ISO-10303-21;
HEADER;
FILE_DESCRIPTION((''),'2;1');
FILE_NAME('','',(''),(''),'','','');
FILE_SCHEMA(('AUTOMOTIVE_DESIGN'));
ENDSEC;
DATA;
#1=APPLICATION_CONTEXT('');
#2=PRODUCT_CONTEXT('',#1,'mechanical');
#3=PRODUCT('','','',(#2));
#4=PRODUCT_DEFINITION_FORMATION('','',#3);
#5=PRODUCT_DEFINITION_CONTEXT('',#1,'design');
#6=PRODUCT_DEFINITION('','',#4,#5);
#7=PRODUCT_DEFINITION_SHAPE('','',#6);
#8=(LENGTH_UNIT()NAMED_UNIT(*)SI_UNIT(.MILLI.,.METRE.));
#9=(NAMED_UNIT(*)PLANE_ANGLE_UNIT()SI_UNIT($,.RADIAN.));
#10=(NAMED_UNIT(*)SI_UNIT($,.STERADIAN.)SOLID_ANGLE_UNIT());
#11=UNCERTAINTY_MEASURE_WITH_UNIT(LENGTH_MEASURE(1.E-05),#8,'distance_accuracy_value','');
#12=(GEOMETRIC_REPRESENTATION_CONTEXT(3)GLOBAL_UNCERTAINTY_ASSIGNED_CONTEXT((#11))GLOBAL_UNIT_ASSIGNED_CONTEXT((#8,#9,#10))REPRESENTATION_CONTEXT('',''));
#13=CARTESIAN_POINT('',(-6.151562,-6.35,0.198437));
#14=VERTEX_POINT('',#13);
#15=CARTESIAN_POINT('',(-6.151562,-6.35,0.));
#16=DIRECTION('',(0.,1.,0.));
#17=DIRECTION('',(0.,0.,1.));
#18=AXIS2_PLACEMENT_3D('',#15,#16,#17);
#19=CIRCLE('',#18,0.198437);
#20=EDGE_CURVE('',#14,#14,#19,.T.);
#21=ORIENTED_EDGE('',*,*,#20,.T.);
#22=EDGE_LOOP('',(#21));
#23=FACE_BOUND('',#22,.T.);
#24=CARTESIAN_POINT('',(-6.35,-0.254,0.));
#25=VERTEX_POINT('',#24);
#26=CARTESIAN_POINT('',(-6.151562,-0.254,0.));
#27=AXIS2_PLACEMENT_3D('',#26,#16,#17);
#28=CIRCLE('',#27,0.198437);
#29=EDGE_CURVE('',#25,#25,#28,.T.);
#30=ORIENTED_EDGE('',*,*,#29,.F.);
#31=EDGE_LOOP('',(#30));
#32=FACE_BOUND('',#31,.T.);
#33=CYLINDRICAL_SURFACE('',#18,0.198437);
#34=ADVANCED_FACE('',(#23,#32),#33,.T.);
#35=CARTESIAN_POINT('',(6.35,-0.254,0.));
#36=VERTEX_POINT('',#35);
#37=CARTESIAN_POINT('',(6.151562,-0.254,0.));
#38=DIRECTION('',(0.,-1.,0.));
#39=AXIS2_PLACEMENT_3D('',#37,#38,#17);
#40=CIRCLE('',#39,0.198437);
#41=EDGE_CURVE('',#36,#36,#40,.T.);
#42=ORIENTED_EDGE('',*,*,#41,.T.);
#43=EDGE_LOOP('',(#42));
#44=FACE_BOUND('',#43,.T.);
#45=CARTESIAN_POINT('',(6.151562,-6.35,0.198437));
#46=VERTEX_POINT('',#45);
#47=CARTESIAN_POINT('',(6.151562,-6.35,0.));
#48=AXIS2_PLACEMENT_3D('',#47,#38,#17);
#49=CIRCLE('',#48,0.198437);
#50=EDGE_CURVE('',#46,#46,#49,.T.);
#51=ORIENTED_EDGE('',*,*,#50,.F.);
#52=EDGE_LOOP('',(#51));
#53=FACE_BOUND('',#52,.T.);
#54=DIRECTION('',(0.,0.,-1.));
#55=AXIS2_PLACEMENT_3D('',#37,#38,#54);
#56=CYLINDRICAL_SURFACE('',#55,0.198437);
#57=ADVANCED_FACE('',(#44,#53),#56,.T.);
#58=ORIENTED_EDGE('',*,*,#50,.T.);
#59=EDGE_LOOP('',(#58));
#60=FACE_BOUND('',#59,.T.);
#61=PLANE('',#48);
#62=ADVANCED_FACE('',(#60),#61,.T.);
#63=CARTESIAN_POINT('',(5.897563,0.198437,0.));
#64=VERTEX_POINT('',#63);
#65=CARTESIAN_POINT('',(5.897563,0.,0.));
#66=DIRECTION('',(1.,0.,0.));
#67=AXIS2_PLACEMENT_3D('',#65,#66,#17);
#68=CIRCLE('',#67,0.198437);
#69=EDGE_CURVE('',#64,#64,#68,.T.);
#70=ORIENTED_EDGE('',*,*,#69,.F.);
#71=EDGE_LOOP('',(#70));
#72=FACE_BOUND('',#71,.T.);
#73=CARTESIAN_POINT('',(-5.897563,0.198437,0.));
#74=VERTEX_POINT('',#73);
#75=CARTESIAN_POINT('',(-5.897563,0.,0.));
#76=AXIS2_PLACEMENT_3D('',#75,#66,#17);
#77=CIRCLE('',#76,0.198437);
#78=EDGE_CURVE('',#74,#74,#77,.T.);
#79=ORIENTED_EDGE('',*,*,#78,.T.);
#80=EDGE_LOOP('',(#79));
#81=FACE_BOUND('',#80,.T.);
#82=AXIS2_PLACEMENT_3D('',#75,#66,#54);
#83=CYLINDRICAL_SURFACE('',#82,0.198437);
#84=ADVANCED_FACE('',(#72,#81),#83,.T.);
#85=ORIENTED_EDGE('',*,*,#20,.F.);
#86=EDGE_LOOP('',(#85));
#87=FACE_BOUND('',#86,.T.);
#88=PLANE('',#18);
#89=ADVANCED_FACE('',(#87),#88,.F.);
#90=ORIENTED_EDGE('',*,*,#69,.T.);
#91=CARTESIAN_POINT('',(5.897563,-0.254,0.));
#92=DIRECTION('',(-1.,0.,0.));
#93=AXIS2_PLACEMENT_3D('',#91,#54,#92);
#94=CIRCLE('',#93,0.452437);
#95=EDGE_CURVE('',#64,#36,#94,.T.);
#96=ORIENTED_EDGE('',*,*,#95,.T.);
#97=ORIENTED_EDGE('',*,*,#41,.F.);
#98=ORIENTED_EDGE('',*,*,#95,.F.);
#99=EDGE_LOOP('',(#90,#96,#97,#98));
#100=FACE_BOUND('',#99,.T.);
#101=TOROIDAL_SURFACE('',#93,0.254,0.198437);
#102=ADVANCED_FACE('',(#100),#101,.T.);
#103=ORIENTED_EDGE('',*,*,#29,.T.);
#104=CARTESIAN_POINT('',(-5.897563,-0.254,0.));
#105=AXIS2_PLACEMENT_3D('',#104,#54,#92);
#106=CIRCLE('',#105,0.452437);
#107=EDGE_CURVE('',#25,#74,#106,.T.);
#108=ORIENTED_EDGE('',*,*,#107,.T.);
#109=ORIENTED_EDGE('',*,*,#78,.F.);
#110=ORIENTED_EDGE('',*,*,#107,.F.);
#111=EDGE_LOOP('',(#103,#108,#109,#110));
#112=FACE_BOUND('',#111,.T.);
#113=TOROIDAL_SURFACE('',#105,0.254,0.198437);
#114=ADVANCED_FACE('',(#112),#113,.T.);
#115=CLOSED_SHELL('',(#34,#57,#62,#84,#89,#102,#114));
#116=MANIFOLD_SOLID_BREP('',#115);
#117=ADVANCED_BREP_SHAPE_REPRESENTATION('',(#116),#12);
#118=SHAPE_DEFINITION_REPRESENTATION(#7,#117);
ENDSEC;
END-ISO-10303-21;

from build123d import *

# Parameters (mm, degrees)
SKETCH2_R = 0.1984375


with BuildPart() as part:
    # Sweep3: sweep along a path in Sketch1
    with BuildLine(Plane.XY) as sweep3_path:
        Line((-6.1515625, -6.35), (-6.1515625, -0.254))
        ThreePointArc((-6.1515625, -0.254), (-6.077167622, -0.074394878), (-5.8975625, 0))
        Line((-5.8975625, 0), (5.8975625, 0))
        ThreePointArc((5.8975625, 0), (6.077167622, -0.074394878), (6.1515625, -0.254))
        Line((6.1515625, -0.254), (6.1515625, -6.35))
    # Sketch2 → Sweep3 (sweep)
    with BuildSketch(Plane(origin=(0, -6.35, 0), x_dir=(1, 0, 0), z_dir=(0, 1, 0))):
        with Locations((-6.1515625, 0)):
            Circle(SKETCH2_R)
    sweep(path=sweep3_path.line)


solid = part.part
